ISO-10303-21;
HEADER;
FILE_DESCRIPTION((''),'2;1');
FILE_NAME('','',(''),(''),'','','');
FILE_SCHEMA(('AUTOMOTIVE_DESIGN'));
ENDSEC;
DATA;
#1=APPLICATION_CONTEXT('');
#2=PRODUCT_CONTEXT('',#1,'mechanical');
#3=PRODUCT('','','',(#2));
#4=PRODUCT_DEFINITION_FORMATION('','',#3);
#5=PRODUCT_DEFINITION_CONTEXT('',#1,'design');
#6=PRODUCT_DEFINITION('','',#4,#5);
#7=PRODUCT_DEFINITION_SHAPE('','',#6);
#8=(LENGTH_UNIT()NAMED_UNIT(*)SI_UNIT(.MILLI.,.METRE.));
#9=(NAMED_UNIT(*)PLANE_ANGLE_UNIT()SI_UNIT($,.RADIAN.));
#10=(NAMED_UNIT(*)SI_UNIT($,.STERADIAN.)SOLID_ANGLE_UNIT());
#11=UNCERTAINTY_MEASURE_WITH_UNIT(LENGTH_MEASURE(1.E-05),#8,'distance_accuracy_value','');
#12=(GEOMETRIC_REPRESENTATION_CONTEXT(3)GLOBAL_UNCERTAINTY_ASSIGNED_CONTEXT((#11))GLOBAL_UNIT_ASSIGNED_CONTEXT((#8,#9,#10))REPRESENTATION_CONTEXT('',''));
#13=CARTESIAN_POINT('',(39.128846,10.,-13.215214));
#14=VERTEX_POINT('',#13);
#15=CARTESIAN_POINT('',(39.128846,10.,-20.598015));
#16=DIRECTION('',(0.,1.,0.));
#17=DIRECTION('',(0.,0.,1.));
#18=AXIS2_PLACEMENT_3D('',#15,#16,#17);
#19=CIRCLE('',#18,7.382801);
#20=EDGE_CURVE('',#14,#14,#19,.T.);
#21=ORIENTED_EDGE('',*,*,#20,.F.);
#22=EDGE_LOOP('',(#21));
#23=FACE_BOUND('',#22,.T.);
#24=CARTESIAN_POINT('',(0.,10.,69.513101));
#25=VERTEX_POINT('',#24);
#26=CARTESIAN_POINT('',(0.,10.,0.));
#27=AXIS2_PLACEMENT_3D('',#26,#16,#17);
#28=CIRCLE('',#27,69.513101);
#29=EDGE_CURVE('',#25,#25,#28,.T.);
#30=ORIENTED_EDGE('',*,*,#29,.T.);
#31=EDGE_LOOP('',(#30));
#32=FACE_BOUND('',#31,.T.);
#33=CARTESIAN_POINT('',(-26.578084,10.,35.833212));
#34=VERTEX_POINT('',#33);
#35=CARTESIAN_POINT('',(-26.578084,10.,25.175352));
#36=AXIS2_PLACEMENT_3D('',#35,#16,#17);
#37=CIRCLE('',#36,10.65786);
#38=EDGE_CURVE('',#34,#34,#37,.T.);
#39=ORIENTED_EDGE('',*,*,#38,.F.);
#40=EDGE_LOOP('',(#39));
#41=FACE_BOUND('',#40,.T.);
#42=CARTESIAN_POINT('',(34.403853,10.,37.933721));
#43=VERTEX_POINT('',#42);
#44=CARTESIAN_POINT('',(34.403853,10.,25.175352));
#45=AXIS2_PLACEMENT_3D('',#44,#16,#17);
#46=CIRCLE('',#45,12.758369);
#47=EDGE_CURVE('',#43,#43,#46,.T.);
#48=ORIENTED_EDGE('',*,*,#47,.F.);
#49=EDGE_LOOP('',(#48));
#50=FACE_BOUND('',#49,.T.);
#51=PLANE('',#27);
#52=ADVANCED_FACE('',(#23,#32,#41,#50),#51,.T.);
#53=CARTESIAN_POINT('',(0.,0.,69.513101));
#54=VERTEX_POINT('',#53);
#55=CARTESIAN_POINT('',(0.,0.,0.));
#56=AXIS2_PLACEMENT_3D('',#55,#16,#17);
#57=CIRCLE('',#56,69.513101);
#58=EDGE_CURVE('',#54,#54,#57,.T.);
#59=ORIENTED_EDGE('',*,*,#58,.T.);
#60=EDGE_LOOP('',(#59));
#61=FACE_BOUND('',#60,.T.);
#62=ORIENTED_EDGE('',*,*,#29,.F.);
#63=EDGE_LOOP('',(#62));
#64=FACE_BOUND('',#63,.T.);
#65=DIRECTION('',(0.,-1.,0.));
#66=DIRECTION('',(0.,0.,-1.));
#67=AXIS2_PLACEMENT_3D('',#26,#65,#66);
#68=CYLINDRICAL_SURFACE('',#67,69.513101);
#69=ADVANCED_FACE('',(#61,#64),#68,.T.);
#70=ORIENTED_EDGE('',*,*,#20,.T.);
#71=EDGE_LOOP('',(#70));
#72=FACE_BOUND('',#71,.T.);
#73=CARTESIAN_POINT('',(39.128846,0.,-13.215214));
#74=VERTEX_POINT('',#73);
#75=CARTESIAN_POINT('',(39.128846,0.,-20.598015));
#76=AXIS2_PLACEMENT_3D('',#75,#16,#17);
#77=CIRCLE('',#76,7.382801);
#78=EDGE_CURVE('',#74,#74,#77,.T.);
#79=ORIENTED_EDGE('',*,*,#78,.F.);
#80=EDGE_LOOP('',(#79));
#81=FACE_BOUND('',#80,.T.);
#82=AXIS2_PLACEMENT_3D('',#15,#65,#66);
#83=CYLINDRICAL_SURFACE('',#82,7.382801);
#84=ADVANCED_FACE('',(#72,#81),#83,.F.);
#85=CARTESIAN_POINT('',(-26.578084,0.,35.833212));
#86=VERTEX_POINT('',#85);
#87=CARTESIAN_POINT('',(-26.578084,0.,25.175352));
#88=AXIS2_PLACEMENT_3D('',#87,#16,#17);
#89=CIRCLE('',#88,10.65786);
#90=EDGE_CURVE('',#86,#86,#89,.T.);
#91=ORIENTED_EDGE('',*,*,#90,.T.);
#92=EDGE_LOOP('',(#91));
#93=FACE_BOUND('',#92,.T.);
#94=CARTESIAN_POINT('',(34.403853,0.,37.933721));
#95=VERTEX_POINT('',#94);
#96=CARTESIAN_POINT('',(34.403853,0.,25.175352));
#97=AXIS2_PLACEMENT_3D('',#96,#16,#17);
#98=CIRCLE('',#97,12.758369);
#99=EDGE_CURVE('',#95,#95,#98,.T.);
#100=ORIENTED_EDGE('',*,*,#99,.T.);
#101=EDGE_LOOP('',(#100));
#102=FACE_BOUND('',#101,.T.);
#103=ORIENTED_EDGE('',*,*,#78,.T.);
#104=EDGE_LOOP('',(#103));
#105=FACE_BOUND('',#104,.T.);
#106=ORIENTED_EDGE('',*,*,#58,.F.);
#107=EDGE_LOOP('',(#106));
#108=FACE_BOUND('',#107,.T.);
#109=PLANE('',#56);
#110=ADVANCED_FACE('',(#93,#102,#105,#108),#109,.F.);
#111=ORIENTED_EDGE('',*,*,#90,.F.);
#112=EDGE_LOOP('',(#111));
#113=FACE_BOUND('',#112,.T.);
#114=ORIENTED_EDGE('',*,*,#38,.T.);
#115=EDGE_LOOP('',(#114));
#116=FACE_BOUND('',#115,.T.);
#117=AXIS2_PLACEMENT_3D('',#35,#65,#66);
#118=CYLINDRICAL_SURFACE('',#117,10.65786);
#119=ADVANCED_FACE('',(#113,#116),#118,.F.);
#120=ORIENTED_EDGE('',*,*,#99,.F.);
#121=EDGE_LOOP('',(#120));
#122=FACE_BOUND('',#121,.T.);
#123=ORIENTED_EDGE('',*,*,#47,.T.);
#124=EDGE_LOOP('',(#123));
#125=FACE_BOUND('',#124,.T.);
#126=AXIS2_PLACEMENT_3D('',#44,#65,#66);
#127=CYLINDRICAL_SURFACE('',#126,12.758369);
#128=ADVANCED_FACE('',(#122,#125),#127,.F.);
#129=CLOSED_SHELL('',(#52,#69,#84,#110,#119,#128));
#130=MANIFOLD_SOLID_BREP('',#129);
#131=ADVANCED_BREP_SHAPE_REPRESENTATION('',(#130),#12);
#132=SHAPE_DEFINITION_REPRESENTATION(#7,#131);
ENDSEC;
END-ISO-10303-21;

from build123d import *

# Parameters (mm, degrees)
SKETCH1_R           = 69.51310051
SKETCH1_R_2         = 7.382801066
SKETCH1_R_3         = 12.758368882
SKETCH1_R_4         = 10.657860306
BOSS_EXTRUDE1_DEPTH = 10


with BuildPart() as part:
    # Sketch1 → Boss-Extrude1 (new body)
    with BuildSketch(Plane(origin=(0, 0, 0), x_dir=(1, 0, 0), z_dir=(0, 1, 0))):
        with Locations(Location((0, 0, 0), (0, 0, 270))):
            Circle(SKETCH1_R)
        with Locations(Location((39.128845652, 20.598014975, 0), (0, 0, 270))):
            Circle(SKETCH1_R_2, mode=Mode.SUBTRACT)
        with Locations(Location((34.403852969, -25.175351636, 0), (0, 0, 270))):
            Circle(SKETCH1_R_3, mode=Mode.SUBTRACT)
        with Locations(Location((-26.578083839, -25.175351636, 0), (0, 0, 270))):
            Circle(SKETCH1_R_4, mode=Mode.SUBTRACT)
    extrude(amount=BOSS_EXTRUDE1_DEPTH)


solid = part.part
